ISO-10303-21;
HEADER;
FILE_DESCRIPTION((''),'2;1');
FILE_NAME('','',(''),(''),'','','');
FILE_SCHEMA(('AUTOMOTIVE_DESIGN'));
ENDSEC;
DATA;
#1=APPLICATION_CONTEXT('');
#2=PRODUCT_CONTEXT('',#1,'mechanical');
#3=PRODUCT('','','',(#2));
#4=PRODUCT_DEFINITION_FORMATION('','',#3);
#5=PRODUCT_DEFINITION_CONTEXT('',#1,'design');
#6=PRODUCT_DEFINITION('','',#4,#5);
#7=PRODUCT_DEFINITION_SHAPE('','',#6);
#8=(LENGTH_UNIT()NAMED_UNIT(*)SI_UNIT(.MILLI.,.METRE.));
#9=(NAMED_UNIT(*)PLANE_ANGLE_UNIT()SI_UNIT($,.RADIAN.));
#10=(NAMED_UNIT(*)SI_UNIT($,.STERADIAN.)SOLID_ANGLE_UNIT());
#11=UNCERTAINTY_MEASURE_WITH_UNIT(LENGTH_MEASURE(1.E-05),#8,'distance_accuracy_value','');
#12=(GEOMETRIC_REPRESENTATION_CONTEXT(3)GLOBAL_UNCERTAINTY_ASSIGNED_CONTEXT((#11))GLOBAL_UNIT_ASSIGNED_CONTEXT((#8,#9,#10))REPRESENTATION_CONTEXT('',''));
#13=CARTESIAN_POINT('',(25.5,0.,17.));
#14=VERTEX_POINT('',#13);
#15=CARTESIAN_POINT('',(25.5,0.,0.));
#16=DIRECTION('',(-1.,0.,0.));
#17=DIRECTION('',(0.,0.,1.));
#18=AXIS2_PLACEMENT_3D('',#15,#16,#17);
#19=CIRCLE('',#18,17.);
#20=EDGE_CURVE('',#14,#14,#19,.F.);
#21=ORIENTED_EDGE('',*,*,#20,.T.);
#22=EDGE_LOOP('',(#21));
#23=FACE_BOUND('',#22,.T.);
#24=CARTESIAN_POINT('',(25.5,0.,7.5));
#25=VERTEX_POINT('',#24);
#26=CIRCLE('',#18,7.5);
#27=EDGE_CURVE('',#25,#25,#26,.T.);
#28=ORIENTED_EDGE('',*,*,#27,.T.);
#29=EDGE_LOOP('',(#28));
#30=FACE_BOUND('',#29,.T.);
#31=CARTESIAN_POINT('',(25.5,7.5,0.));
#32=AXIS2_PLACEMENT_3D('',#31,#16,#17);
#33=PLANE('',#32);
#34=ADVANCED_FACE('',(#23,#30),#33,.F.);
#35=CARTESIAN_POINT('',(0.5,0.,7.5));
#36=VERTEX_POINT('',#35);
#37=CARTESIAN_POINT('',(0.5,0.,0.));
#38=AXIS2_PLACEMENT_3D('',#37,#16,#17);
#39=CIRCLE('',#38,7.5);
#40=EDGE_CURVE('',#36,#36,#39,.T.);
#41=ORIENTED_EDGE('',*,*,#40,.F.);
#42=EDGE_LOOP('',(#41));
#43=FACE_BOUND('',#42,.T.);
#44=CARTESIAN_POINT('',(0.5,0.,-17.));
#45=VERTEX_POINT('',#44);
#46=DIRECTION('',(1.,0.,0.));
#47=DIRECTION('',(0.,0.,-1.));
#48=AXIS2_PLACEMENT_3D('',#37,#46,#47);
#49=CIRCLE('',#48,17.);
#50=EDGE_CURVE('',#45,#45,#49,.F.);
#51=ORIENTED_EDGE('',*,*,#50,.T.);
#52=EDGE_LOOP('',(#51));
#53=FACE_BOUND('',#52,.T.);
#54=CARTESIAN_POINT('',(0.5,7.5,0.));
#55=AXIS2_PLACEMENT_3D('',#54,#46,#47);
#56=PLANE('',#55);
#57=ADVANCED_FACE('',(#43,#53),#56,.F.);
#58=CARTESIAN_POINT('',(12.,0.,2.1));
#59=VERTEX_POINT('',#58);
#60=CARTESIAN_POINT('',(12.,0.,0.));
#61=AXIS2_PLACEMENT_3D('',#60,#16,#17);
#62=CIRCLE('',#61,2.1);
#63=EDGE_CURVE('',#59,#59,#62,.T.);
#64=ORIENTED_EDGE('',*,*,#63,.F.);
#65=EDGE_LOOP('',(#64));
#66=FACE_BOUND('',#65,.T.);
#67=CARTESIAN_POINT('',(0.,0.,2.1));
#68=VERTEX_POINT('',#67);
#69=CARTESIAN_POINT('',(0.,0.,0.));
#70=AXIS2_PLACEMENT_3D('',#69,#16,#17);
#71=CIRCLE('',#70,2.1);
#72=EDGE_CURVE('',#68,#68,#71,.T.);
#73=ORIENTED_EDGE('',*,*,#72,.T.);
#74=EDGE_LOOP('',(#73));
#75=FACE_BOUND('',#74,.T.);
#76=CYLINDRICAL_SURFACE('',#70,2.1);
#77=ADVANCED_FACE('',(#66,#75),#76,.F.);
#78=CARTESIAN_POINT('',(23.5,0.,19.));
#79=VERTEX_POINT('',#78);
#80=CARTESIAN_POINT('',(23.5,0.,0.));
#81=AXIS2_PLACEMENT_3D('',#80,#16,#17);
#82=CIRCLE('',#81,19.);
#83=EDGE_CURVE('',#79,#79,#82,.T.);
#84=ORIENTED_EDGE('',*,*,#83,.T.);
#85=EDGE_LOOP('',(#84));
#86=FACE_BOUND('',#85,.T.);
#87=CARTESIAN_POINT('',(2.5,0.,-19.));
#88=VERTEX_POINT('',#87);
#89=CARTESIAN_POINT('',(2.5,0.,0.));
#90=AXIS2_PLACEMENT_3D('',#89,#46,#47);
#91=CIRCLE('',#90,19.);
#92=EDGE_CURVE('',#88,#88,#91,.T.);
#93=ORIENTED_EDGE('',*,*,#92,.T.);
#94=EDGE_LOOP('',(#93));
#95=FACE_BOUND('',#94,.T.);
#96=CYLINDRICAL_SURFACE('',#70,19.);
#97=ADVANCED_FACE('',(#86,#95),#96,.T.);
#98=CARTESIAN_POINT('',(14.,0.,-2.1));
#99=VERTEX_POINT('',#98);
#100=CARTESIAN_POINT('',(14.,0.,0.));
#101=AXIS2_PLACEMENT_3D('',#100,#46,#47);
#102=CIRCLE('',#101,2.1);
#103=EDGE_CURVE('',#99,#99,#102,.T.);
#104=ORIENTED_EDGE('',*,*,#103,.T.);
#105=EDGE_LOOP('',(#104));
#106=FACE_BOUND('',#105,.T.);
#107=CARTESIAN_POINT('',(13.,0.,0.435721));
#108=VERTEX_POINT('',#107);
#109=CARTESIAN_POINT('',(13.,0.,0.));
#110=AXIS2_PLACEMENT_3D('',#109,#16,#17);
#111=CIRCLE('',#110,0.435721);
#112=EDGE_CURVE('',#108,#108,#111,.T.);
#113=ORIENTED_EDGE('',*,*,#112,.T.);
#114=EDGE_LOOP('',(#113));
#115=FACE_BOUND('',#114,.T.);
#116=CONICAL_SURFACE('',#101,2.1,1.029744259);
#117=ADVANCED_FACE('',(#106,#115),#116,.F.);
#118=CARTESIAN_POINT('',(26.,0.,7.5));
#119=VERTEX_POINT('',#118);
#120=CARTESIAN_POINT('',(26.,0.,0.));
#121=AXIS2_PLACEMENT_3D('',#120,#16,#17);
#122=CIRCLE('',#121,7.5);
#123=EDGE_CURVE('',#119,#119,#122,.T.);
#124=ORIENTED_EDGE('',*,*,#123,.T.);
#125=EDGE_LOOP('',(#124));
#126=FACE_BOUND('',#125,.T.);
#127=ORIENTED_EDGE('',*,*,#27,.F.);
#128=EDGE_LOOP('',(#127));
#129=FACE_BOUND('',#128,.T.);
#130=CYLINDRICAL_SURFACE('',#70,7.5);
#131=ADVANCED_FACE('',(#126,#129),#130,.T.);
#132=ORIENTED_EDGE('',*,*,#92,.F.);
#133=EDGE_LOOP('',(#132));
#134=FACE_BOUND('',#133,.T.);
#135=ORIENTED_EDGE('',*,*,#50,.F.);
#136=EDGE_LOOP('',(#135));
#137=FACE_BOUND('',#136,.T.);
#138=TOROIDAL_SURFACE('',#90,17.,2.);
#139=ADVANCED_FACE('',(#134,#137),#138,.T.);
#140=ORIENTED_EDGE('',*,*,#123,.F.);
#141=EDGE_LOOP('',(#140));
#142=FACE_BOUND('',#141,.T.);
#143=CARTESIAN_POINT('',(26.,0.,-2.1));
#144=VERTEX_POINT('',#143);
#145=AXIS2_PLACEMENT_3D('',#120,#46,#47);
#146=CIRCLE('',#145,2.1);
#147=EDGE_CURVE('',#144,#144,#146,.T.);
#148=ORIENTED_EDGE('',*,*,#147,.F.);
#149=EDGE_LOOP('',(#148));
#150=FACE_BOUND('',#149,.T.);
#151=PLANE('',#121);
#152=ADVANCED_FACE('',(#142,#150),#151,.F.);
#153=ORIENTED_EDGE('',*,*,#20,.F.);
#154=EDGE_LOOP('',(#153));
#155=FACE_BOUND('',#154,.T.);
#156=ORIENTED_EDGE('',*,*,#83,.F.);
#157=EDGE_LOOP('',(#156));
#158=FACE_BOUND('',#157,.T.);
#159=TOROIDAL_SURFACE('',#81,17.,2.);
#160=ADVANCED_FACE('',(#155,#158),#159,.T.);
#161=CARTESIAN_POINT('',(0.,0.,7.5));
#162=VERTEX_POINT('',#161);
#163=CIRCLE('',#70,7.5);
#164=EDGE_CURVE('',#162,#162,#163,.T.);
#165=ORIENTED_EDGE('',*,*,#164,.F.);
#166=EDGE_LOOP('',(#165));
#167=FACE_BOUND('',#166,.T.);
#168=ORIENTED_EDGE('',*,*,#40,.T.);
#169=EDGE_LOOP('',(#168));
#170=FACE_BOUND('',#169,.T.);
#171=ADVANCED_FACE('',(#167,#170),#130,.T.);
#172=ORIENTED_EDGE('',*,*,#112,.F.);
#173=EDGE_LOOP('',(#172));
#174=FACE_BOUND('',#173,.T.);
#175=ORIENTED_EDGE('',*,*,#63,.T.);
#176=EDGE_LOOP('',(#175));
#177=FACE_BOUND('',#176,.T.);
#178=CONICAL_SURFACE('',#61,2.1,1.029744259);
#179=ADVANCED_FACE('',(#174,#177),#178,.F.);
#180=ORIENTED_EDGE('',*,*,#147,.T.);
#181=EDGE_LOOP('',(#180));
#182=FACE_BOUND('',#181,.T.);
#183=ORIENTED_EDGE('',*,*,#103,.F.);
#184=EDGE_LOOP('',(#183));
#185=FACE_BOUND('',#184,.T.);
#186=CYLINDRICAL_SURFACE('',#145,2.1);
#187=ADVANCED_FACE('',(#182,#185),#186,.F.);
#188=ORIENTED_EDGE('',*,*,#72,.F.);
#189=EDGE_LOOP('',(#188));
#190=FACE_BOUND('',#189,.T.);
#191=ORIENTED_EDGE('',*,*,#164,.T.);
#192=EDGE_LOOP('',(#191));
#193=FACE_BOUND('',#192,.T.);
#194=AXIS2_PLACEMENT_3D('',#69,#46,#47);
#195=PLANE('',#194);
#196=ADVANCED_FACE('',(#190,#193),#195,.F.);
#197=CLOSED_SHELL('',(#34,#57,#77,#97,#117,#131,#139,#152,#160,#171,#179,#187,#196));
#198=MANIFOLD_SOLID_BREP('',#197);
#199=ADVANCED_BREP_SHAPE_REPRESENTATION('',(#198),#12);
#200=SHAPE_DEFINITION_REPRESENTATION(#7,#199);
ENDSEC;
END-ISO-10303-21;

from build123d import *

# Parameters (mm, degrees)
M5_GEWINDEBOHRUNG2_D     = 4.2
M5_GEWINDEBOHRUNG2_DEPTH = 12
M5_GEWINDEBOHRUNG2_TIP   = 1.2618073
VERRUNDUNG1_R            = 2


with BuildPart() as part:
    # Skizze1 → Rotation1 (revolve)
    with BuildSketch(Plane.XY):
        Polygon((0, 0), (0, 7.5), (0.5, 7.5), (0.5, 19), (25.5, 19), (25.5, 7.5), (26, 7.5), (26, 0), align=None)
    revolve(axis=Axis((0, 0, 0), (1, 0, 0)))

    # Skizze2 → M5 Gewindebohrung1 (revolve, cut)
    with BuildSketch(Plane(origin=(26, 0, 0), x_dir=(0, 0, -1), z_dir=(0, 1, 0))):
        Polygon((0, 0), (0, 13.2618073), (2.1, 12), (2.1, 0), align=None)
    revolve(axis=Axis((32.35, 0, 0), (-1, 0, 0)), mode=Mode.SUBTRACT)

    # M5 Gewindebohrung2
    with Locations(Plane.ZY):
        with Locations((0, 0)):
            Hole(M5_GEWINDEBOHRUNG2_D / 2, depth=M5_GEWINDEBOHRUNG2_DEPTH)
            with Locations((0, 0, -(M5_GEWINDEBOHRUNG2_DEPTH + M5_GEWINDEBOHRUNG2_TIP / 2))):  # 118° drill point
                Cone(0, M5_GEWINDEBOHRUNG2_D / 2, M5_GEWINDEBOHRUNG2_TIP, mode=Mode.SUBTRACT)

    # Verrundung1
    verrundung1_edges = [part.edges().sort_by_distance(p)[0] for p in [
        (0.5, -19, 0),
        (25.5, -19, 0),
    ]]
    fillet(verrundung1_edges, radius=VERRUNDUNG1_R)


solid = part.part
